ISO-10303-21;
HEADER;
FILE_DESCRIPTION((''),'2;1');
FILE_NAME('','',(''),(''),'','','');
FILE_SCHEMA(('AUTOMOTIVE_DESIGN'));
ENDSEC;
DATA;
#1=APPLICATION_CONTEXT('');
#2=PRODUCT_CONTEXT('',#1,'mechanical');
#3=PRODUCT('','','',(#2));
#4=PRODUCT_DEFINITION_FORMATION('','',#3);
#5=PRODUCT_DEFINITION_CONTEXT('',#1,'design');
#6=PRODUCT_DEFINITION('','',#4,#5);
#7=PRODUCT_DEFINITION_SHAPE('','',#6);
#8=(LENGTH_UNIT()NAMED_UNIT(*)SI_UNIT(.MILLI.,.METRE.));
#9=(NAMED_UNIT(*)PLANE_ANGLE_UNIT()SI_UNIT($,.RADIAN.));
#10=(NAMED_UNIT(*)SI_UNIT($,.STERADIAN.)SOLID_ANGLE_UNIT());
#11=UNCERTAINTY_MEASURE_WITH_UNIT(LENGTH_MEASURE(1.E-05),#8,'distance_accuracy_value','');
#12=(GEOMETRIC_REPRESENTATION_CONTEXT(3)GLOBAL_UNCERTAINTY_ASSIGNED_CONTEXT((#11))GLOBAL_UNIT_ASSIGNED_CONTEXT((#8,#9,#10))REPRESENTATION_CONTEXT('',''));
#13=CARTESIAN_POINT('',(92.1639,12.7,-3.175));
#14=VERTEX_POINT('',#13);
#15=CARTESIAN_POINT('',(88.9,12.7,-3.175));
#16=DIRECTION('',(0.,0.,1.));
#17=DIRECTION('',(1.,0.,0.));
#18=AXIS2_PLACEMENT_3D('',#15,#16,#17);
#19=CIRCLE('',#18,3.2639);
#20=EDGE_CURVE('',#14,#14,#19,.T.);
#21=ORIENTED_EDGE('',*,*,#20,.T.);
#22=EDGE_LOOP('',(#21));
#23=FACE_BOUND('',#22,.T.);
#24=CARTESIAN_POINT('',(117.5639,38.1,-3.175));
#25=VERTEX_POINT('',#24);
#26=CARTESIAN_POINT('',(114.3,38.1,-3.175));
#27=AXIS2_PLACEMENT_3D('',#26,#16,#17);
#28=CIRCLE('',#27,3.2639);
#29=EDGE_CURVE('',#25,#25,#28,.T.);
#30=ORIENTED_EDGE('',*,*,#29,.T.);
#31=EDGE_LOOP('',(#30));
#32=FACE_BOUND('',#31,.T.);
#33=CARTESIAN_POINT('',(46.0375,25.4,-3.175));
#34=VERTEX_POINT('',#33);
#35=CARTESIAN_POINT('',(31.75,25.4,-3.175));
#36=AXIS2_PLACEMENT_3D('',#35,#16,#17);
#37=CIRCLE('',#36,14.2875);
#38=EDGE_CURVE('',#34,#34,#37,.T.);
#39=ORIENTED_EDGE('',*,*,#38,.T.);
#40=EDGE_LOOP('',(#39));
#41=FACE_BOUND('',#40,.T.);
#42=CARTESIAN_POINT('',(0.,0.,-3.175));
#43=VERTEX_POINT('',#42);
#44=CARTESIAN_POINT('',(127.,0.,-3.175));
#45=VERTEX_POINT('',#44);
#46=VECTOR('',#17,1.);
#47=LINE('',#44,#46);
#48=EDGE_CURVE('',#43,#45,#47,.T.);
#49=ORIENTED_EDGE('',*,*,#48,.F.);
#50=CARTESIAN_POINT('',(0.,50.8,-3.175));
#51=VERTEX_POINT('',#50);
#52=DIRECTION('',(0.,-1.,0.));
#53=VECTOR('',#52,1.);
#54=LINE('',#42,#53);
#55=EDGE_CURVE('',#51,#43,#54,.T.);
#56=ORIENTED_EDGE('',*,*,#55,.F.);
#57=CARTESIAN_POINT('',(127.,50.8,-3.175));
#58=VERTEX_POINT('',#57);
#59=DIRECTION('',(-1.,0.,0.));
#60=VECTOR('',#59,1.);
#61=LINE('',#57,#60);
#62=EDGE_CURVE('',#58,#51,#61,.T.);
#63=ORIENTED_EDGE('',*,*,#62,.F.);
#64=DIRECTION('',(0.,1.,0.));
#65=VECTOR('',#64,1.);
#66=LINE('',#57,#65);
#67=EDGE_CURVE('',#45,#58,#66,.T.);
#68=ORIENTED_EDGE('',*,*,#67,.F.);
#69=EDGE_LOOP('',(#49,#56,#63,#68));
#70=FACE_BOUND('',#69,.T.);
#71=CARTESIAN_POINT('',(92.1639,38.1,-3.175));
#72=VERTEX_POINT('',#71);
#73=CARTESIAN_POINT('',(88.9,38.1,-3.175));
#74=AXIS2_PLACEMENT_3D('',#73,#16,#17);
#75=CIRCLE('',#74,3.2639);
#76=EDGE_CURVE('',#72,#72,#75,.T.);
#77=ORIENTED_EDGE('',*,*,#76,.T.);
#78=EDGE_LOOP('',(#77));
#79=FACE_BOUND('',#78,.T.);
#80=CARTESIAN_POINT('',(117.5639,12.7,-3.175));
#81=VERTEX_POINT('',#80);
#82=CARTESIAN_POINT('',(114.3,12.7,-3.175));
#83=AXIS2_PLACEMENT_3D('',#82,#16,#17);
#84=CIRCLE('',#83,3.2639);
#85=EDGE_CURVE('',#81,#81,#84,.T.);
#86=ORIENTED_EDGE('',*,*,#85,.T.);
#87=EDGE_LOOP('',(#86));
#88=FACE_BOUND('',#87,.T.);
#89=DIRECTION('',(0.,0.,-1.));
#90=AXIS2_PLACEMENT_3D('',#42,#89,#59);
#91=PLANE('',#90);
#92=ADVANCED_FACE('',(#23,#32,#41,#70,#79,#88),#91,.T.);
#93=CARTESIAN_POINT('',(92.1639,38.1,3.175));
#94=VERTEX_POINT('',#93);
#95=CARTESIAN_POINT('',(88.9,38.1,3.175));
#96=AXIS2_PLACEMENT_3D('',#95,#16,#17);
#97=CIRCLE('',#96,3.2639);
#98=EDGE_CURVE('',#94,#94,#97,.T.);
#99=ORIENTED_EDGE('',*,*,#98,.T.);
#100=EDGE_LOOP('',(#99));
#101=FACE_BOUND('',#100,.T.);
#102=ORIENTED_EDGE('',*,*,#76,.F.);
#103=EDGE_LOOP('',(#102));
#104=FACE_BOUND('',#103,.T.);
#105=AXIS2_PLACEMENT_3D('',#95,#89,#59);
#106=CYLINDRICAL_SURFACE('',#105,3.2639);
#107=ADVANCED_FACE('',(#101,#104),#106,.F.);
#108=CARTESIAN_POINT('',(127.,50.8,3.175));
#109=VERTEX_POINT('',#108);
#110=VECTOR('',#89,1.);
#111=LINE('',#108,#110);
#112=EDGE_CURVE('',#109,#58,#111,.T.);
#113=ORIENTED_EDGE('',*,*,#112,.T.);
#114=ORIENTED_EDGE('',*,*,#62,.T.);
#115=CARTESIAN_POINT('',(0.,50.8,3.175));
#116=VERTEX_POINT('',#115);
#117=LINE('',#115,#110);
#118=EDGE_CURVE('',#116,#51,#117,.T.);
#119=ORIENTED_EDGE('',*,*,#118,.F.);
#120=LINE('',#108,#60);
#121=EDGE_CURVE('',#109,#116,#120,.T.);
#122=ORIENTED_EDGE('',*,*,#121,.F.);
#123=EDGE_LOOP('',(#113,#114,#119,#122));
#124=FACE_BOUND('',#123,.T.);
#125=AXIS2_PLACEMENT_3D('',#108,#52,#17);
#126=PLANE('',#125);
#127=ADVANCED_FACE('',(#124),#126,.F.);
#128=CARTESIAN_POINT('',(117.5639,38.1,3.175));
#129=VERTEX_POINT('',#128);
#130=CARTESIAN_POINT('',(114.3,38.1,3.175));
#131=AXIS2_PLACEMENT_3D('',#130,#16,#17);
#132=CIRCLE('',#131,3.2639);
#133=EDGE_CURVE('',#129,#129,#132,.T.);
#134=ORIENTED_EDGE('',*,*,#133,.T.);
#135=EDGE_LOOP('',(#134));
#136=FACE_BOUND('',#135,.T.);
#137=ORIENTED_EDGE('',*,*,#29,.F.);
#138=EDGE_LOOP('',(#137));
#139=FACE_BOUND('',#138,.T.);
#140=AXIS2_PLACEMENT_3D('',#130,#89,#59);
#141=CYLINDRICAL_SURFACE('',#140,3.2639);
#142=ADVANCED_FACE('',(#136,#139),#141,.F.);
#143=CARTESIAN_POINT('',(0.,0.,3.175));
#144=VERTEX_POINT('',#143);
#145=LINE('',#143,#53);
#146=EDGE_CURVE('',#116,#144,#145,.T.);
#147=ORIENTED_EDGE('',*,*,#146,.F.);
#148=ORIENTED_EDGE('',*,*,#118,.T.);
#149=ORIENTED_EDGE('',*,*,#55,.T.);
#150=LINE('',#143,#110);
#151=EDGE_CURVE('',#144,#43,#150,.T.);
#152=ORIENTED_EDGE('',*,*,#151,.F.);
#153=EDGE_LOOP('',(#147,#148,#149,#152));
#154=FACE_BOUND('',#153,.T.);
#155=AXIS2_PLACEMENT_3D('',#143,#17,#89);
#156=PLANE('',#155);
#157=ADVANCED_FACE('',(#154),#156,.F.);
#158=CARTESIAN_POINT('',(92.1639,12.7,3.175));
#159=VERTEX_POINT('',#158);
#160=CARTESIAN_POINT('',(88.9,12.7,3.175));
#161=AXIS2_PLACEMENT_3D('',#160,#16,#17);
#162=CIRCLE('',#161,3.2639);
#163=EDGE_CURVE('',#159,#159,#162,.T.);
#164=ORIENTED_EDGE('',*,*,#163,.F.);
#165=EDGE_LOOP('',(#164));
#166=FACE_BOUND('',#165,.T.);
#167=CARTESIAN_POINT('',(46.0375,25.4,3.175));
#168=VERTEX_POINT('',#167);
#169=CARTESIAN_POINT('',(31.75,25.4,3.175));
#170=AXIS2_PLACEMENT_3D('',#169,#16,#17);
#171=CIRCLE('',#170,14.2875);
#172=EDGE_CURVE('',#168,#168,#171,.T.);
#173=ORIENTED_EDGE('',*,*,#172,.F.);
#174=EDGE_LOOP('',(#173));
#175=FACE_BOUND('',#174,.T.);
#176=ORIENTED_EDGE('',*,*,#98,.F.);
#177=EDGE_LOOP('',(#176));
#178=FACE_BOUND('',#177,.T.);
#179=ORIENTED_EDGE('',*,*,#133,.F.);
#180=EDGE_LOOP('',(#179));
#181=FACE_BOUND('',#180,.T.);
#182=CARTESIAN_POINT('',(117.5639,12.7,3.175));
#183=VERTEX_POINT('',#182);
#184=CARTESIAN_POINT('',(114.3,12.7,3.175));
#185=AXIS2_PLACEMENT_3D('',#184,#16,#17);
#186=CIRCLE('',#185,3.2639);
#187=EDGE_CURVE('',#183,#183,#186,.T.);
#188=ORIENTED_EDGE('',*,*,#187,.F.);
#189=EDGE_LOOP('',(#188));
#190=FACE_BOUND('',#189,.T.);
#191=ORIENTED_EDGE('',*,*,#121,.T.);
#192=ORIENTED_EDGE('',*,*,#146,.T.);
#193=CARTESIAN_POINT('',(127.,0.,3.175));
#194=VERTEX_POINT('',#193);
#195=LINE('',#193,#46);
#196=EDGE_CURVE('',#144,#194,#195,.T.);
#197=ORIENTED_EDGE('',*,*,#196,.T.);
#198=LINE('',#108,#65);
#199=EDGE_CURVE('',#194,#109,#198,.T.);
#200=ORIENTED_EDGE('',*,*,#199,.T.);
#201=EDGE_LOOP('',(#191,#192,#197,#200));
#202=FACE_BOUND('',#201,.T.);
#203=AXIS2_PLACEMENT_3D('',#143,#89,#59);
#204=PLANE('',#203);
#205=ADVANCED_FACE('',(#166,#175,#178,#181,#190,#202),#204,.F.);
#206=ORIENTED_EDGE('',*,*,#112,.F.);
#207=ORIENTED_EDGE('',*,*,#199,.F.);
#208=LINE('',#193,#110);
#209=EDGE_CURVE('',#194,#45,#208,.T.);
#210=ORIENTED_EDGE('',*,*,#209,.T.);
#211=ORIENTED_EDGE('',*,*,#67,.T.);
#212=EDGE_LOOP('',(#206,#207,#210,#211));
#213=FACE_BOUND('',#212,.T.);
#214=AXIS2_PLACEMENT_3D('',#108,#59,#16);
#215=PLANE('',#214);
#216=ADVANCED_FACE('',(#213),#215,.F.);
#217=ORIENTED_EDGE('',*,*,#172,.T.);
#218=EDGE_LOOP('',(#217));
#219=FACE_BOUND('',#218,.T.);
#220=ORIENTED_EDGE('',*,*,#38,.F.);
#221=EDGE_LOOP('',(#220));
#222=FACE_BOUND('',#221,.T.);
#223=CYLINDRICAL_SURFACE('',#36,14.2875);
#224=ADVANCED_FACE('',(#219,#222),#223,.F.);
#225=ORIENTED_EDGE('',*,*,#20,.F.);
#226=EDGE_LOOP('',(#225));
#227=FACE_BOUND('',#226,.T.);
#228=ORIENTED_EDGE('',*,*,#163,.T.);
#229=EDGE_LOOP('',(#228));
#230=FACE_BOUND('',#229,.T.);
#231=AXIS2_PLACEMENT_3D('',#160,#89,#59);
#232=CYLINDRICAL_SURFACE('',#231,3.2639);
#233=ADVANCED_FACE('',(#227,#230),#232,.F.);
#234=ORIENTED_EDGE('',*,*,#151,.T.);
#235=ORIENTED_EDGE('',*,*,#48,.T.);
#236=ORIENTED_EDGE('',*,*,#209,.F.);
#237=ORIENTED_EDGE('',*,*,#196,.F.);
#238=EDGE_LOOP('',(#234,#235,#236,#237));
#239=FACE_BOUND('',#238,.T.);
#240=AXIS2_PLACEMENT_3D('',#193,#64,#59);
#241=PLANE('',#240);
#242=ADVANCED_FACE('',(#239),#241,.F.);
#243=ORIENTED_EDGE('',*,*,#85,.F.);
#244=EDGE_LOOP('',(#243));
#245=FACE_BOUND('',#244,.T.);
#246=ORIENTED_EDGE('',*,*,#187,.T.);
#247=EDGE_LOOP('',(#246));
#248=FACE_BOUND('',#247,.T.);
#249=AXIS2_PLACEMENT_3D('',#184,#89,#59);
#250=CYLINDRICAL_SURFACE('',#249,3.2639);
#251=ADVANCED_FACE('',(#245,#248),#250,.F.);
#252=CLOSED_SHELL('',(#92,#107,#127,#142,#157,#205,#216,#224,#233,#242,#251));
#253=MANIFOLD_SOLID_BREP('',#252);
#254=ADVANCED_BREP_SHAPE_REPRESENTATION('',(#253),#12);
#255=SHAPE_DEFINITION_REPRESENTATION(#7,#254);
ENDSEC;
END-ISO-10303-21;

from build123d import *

# Parameters (mm, degrees)
SKETCH1_W           = 127
SKETCH1_H           = 50.8
SKETCH1_R           = 3.2639
BOSS_EXTRUDE1_DEPTH = 3.175
SKETCH2_R           = 14.2875
CUT_EXTRUDE1_DEPTH  = 137.930502446


with BuildPart() as part:
    # Sketch1 → Boss-Extrude1 (new, symmetric)
    with BuildSketch(Plane.XY):
        with Locations((63.5, 25.4)):
            Rectangle(SKETCH1_W, SKETCH1_H)
        with Locations((88.9, 12.7)):
            Circle(SKETCH1_R, mode=Mode.SUBTRACT)
        with Locations((114.3, 12.7)):
            Circle(SKETCH1_R, mode=Mode.SUBTRACT)
        with Locations((88.9, 38.1)):
            Circle(SKETCH1_R, mode=Mode.SUBTRACT)
        with Locations((114.3, 38.1)):
            Circle(SKETCH1_R, mode=Mode.SUBTRACT)
    extrude(amount=BOSS_EXTRUDE1_DEPTH, both=True)

    # Sketch2 → Cut-Extrude1 (cut, through all)
    with BuildSketch(Plane.XY.offset(3.175)):
        with Locations((31.75, 25.4)):
            Circle(SKETCH2_R)
    extrude(amount=-CUT_EXTRUDE1_DEPTH, mode=Mode.SUBTRACT)


solid = part.part
